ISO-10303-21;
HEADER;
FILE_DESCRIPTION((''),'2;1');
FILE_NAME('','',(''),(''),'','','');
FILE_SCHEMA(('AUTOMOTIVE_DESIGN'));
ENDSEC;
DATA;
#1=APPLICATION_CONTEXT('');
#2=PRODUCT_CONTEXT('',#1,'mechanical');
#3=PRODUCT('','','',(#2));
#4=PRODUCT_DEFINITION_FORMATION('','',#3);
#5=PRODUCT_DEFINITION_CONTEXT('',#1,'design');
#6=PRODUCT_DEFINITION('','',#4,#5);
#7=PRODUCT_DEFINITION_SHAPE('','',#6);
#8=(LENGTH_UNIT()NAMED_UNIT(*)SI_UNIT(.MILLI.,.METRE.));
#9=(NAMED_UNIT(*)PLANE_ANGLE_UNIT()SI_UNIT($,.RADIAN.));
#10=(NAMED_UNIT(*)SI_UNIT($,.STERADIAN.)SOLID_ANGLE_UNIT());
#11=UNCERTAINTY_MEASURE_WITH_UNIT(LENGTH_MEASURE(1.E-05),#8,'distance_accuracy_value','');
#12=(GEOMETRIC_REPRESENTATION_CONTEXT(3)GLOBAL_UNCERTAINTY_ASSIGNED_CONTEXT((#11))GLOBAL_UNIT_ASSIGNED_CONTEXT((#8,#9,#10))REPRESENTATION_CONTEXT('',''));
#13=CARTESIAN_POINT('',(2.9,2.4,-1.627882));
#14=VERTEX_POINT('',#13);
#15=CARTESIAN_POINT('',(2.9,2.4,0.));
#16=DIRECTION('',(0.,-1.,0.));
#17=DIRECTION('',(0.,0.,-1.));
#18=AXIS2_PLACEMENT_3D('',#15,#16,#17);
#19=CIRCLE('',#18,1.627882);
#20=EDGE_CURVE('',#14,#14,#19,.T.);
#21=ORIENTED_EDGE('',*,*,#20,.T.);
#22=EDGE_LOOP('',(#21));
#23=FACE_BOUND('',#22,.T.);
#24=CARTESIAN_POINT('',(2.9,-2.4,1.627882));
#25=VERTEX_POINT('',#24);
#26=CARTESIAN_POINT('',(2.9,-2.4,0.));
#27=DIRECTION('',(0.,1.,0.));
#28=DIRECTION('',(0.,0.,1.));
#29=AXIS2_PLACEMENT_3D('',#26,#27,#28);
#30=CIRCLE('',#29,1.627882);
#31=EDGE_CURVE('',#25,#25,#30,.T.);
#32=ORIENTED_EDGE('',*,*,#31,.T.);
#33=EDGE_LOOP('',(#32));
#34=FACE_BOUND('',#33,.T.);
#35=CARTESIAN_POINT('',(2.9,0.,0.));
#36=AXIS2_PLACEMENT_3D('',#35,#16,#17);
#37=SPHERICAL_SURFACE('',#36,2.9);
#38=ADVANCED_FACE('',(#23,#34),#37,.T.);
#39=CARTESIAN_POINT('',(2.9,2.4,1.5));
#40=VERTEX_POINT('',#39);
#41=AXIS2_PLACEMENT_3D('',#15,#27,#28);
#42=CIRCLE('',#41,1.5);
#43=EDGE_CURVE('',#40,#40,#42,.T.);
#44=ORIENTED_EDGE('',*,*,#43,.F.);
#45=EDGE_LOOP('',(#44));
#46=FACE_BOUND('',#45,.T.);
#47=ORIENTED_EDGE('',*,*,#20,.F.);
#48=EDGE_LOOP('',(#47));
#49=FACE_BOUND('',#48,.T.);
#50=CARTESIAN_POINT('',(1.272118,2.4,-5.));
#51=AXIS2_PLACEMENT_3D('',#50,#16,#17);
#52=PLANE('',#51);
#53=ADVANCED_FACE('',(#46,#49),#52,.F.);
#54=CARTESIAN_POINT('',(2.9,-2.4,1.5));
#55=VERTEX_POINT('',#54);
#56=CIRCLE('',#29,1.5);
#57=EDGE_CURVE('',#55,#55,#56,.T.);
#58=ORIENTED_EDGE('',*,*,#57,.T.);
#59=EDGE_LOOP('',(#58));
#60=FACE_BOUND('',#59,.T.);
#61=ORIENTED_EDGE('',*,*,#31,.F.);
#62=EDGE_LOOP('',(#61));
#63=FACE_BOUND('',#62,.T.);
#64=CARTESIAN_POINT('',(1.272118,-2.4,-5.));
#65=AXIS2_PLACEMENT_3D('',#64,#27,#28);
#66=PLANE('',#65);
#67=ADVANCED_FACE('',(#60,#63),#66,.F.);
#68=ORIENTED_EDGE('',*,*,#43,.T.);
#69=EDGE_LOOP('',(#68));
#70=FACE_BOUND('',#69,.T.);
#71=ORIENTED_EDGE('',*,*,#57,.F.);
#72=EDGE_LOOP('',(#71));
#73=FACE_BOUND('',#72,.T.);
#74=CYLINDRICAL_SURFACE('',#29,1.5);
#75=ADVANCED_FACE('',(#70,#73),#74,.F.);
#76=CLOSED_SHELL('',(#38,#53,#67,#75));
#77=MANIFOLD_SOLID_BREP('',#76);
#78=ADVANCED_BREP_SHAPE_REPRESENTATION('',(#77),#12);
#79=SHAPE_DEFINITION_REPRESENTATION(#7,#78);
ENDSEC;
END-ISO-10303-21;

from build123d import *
from build123d.topology import SkipClean

# Parameters (mm, degrees)
CUT_EXTRUDE_1_DEPTH = 5
SKETCH_3_R          = 1.5
CUT_EXTRUDE_2_DEPTH = 9.067837381


with BuildPart() as part:
    # 草图1 → 旋转1 (revolve)
    with BuildSketch(Plane.XY):
        with BuildLine():
            Line((0, 0), (5.8, 0))
            ThreePointArc((5.8, 0), (2.9, 2.9), (0, 0))
        make_face()
    revolve(axis=Axis((0, 0, 0), (1, 0, 0)))

    # 草图2 → 切除-拉伸1 (cut, symmetric)
    with SkipClean():  # the faces are left unmerged after this step: merging them gives an invalid solid
        with BuildSketch(Plane.XY):
            with BuildLine():
                Line((1.27211794, -2.4), (4.52788206, -2.4))
                ThreePointArc((4.52788206, -2.4), (2.9, -2.9), (1.27211794, -2.4))
            make_face()
            with BuildLine():
                Line((1.27211794, 2.4), (4.52788206, 2.4))
                ThreePointArc((4.52788206, 2.4), (2.9, 2.9), (1.27211794, 2.4))
            make_face()
        extrude(amount=CUT_EXTRUDE_1_DEPTH, both=True, mode=Mode.SUBTRACT)

    # 草图3 → 切除-拉伸2 (cut, through all)
    with SkipClean():  # the faces are left unmerged after this step: merging them gives an invalid solid
        with BuildSketch(Plane(origin=(0, 2.4, 0), x_dir=(1, 0, 0), z_dir=(0, 1, 0))):
            with Locations(Location((2.9, 0, 0), (0, 0, 270))):
                Circle(SKETCH_3_R)
        extrude(amount=-CUT_EXTRUDE_2_DEPTH, mode=Mode.SUBTRACT)


solid = part.part
